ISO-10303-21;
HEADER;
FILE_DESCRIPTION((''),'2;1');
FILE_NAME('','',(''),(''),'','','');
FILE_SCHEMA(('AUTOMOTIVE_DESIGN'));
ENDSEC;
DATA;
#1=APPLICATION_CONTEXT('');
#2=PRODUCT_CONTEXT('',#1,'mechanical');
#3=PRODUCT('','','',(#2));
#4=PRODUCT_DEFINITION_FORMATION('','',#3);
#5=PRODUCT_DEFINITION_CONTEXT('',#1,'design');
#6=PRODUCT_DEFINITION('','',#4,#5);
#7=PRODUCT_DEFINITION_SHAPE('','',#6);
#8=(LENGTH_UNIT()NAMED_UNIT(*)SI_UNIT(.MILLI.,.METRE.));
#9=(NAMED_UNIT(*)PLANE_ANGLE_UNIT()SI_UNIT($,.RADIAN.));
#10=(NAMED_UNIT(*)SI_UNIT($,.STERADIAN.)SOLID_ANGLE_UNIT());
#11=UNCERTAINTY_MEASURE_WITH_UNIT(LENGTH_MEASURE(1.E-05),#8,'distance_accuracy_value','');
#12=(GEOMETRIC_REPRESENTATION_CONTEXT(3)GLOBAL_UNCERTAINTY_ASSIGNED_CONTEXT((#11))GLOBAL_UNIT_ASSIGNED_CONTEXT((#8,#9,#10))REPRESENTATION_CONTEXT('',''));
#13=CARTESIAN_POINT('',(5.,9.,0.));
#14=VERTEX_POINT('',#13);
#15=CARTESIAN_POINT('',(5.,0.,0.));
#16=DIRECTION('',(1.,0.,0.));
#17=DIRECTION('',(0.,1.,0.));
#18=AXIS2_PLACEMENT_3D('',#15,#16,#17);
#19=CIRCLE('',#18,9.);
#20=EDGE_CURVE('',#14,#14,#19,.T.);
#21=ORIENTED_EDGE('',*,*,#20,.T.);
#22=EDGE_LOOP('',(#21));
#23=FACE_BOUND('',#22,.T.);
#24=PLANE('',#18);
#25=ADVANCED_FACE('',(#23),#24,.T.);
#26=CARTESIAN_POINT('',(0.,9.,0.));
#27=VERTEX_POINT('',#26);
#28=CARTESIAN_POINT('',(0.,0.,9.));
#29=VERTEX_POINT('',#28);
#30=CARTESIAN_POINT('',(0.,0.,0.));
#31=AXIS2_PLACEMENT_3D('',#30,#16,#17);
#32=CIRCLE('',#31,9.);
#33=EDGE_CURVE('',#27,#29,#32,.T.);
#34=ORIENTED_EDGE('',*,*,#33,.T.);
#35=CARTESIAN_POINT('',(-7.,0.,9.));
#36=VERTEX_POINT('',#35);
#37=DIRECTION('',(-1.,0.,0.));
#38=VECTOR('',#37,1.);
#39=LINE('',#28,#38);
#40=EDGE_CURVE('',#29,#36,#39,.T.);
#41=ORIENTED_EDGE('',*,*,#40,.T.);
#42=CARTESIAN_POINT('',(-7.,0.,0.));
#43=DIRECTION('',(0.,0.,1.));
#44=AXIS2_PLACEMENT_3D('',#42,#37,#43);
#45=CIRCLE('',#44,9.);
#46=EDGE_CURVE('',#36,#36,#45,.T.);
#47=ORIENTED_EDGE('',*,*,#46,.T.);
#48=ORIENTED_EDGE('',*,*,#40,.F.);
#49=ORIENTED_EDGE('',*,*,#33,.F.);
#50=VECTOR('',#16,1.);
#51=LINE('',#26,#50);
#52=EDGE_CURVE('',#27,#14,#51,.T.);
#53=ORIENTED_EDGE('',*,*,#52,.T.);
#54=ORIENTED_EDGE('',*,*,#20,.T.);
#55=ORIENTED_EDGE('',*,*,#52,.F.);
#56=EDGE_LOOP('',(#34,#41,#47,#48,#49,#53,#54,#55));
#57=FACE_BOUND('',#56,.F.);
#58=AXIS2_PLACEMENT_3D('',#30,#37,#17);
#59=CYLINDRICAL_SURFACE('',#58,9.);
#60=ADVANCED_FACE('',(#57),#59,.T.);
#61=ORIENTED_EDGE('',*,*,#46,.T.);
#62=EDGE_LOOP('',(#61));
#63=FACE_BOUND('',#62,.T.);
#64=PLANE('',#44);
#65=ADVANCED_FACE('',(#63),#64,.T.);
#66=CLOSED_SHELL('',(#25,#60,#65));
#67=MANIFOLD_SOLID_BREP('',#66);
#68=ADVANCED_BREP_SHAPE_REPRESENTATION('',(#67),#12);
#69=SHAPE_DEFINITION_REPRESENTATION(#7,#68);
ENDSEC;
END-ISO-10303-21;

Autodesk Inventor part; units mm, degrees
ref_plane "YZ Plane" through (0, 0, 0) normal (1, 0, 0) x (0, 1, 0)
ref_plane "XZ Plane" through (0, 0, 0) normal (0, 1, 0) x (-1, 0, 0)
ref_plane "XY Plane" through (0, 0, 0) normal (0, 0, 1) x (1, 0, 0)
sketch "Sketch1" plane through (0, 0, 0) normal (1, 0, 0) x (0, 1, 0)
  circle A0 centre (0, 0) radius 9
  dimension "d0" = 18
extrude "Extrusion1" add sketch "Sketch1" along normal blind 5
sketch "Sketch2" plane through (0, 0, 0) normal (-1, 0, 0) x (0, 0, 1)
  circle A0 centre (0, 0) radius 9
  circle A1 centre (0, 0) radius 9 projected
extrude "Extrusion2" add sketch "Sketch2" along normal blind 7
equation "\"d0\" = WheelGrooveDia"
equation "\"d1\" = WheelGrooveWidth"
equation "\"d4\" = WheelWidth"
equation "\"WheelGrooveDia\" = 18"
equation "\"WheelGrooveWidth\" = 5"
equation "\"WheelWidth\" = 7"
properties part number "WheelInfillProfileV1"
